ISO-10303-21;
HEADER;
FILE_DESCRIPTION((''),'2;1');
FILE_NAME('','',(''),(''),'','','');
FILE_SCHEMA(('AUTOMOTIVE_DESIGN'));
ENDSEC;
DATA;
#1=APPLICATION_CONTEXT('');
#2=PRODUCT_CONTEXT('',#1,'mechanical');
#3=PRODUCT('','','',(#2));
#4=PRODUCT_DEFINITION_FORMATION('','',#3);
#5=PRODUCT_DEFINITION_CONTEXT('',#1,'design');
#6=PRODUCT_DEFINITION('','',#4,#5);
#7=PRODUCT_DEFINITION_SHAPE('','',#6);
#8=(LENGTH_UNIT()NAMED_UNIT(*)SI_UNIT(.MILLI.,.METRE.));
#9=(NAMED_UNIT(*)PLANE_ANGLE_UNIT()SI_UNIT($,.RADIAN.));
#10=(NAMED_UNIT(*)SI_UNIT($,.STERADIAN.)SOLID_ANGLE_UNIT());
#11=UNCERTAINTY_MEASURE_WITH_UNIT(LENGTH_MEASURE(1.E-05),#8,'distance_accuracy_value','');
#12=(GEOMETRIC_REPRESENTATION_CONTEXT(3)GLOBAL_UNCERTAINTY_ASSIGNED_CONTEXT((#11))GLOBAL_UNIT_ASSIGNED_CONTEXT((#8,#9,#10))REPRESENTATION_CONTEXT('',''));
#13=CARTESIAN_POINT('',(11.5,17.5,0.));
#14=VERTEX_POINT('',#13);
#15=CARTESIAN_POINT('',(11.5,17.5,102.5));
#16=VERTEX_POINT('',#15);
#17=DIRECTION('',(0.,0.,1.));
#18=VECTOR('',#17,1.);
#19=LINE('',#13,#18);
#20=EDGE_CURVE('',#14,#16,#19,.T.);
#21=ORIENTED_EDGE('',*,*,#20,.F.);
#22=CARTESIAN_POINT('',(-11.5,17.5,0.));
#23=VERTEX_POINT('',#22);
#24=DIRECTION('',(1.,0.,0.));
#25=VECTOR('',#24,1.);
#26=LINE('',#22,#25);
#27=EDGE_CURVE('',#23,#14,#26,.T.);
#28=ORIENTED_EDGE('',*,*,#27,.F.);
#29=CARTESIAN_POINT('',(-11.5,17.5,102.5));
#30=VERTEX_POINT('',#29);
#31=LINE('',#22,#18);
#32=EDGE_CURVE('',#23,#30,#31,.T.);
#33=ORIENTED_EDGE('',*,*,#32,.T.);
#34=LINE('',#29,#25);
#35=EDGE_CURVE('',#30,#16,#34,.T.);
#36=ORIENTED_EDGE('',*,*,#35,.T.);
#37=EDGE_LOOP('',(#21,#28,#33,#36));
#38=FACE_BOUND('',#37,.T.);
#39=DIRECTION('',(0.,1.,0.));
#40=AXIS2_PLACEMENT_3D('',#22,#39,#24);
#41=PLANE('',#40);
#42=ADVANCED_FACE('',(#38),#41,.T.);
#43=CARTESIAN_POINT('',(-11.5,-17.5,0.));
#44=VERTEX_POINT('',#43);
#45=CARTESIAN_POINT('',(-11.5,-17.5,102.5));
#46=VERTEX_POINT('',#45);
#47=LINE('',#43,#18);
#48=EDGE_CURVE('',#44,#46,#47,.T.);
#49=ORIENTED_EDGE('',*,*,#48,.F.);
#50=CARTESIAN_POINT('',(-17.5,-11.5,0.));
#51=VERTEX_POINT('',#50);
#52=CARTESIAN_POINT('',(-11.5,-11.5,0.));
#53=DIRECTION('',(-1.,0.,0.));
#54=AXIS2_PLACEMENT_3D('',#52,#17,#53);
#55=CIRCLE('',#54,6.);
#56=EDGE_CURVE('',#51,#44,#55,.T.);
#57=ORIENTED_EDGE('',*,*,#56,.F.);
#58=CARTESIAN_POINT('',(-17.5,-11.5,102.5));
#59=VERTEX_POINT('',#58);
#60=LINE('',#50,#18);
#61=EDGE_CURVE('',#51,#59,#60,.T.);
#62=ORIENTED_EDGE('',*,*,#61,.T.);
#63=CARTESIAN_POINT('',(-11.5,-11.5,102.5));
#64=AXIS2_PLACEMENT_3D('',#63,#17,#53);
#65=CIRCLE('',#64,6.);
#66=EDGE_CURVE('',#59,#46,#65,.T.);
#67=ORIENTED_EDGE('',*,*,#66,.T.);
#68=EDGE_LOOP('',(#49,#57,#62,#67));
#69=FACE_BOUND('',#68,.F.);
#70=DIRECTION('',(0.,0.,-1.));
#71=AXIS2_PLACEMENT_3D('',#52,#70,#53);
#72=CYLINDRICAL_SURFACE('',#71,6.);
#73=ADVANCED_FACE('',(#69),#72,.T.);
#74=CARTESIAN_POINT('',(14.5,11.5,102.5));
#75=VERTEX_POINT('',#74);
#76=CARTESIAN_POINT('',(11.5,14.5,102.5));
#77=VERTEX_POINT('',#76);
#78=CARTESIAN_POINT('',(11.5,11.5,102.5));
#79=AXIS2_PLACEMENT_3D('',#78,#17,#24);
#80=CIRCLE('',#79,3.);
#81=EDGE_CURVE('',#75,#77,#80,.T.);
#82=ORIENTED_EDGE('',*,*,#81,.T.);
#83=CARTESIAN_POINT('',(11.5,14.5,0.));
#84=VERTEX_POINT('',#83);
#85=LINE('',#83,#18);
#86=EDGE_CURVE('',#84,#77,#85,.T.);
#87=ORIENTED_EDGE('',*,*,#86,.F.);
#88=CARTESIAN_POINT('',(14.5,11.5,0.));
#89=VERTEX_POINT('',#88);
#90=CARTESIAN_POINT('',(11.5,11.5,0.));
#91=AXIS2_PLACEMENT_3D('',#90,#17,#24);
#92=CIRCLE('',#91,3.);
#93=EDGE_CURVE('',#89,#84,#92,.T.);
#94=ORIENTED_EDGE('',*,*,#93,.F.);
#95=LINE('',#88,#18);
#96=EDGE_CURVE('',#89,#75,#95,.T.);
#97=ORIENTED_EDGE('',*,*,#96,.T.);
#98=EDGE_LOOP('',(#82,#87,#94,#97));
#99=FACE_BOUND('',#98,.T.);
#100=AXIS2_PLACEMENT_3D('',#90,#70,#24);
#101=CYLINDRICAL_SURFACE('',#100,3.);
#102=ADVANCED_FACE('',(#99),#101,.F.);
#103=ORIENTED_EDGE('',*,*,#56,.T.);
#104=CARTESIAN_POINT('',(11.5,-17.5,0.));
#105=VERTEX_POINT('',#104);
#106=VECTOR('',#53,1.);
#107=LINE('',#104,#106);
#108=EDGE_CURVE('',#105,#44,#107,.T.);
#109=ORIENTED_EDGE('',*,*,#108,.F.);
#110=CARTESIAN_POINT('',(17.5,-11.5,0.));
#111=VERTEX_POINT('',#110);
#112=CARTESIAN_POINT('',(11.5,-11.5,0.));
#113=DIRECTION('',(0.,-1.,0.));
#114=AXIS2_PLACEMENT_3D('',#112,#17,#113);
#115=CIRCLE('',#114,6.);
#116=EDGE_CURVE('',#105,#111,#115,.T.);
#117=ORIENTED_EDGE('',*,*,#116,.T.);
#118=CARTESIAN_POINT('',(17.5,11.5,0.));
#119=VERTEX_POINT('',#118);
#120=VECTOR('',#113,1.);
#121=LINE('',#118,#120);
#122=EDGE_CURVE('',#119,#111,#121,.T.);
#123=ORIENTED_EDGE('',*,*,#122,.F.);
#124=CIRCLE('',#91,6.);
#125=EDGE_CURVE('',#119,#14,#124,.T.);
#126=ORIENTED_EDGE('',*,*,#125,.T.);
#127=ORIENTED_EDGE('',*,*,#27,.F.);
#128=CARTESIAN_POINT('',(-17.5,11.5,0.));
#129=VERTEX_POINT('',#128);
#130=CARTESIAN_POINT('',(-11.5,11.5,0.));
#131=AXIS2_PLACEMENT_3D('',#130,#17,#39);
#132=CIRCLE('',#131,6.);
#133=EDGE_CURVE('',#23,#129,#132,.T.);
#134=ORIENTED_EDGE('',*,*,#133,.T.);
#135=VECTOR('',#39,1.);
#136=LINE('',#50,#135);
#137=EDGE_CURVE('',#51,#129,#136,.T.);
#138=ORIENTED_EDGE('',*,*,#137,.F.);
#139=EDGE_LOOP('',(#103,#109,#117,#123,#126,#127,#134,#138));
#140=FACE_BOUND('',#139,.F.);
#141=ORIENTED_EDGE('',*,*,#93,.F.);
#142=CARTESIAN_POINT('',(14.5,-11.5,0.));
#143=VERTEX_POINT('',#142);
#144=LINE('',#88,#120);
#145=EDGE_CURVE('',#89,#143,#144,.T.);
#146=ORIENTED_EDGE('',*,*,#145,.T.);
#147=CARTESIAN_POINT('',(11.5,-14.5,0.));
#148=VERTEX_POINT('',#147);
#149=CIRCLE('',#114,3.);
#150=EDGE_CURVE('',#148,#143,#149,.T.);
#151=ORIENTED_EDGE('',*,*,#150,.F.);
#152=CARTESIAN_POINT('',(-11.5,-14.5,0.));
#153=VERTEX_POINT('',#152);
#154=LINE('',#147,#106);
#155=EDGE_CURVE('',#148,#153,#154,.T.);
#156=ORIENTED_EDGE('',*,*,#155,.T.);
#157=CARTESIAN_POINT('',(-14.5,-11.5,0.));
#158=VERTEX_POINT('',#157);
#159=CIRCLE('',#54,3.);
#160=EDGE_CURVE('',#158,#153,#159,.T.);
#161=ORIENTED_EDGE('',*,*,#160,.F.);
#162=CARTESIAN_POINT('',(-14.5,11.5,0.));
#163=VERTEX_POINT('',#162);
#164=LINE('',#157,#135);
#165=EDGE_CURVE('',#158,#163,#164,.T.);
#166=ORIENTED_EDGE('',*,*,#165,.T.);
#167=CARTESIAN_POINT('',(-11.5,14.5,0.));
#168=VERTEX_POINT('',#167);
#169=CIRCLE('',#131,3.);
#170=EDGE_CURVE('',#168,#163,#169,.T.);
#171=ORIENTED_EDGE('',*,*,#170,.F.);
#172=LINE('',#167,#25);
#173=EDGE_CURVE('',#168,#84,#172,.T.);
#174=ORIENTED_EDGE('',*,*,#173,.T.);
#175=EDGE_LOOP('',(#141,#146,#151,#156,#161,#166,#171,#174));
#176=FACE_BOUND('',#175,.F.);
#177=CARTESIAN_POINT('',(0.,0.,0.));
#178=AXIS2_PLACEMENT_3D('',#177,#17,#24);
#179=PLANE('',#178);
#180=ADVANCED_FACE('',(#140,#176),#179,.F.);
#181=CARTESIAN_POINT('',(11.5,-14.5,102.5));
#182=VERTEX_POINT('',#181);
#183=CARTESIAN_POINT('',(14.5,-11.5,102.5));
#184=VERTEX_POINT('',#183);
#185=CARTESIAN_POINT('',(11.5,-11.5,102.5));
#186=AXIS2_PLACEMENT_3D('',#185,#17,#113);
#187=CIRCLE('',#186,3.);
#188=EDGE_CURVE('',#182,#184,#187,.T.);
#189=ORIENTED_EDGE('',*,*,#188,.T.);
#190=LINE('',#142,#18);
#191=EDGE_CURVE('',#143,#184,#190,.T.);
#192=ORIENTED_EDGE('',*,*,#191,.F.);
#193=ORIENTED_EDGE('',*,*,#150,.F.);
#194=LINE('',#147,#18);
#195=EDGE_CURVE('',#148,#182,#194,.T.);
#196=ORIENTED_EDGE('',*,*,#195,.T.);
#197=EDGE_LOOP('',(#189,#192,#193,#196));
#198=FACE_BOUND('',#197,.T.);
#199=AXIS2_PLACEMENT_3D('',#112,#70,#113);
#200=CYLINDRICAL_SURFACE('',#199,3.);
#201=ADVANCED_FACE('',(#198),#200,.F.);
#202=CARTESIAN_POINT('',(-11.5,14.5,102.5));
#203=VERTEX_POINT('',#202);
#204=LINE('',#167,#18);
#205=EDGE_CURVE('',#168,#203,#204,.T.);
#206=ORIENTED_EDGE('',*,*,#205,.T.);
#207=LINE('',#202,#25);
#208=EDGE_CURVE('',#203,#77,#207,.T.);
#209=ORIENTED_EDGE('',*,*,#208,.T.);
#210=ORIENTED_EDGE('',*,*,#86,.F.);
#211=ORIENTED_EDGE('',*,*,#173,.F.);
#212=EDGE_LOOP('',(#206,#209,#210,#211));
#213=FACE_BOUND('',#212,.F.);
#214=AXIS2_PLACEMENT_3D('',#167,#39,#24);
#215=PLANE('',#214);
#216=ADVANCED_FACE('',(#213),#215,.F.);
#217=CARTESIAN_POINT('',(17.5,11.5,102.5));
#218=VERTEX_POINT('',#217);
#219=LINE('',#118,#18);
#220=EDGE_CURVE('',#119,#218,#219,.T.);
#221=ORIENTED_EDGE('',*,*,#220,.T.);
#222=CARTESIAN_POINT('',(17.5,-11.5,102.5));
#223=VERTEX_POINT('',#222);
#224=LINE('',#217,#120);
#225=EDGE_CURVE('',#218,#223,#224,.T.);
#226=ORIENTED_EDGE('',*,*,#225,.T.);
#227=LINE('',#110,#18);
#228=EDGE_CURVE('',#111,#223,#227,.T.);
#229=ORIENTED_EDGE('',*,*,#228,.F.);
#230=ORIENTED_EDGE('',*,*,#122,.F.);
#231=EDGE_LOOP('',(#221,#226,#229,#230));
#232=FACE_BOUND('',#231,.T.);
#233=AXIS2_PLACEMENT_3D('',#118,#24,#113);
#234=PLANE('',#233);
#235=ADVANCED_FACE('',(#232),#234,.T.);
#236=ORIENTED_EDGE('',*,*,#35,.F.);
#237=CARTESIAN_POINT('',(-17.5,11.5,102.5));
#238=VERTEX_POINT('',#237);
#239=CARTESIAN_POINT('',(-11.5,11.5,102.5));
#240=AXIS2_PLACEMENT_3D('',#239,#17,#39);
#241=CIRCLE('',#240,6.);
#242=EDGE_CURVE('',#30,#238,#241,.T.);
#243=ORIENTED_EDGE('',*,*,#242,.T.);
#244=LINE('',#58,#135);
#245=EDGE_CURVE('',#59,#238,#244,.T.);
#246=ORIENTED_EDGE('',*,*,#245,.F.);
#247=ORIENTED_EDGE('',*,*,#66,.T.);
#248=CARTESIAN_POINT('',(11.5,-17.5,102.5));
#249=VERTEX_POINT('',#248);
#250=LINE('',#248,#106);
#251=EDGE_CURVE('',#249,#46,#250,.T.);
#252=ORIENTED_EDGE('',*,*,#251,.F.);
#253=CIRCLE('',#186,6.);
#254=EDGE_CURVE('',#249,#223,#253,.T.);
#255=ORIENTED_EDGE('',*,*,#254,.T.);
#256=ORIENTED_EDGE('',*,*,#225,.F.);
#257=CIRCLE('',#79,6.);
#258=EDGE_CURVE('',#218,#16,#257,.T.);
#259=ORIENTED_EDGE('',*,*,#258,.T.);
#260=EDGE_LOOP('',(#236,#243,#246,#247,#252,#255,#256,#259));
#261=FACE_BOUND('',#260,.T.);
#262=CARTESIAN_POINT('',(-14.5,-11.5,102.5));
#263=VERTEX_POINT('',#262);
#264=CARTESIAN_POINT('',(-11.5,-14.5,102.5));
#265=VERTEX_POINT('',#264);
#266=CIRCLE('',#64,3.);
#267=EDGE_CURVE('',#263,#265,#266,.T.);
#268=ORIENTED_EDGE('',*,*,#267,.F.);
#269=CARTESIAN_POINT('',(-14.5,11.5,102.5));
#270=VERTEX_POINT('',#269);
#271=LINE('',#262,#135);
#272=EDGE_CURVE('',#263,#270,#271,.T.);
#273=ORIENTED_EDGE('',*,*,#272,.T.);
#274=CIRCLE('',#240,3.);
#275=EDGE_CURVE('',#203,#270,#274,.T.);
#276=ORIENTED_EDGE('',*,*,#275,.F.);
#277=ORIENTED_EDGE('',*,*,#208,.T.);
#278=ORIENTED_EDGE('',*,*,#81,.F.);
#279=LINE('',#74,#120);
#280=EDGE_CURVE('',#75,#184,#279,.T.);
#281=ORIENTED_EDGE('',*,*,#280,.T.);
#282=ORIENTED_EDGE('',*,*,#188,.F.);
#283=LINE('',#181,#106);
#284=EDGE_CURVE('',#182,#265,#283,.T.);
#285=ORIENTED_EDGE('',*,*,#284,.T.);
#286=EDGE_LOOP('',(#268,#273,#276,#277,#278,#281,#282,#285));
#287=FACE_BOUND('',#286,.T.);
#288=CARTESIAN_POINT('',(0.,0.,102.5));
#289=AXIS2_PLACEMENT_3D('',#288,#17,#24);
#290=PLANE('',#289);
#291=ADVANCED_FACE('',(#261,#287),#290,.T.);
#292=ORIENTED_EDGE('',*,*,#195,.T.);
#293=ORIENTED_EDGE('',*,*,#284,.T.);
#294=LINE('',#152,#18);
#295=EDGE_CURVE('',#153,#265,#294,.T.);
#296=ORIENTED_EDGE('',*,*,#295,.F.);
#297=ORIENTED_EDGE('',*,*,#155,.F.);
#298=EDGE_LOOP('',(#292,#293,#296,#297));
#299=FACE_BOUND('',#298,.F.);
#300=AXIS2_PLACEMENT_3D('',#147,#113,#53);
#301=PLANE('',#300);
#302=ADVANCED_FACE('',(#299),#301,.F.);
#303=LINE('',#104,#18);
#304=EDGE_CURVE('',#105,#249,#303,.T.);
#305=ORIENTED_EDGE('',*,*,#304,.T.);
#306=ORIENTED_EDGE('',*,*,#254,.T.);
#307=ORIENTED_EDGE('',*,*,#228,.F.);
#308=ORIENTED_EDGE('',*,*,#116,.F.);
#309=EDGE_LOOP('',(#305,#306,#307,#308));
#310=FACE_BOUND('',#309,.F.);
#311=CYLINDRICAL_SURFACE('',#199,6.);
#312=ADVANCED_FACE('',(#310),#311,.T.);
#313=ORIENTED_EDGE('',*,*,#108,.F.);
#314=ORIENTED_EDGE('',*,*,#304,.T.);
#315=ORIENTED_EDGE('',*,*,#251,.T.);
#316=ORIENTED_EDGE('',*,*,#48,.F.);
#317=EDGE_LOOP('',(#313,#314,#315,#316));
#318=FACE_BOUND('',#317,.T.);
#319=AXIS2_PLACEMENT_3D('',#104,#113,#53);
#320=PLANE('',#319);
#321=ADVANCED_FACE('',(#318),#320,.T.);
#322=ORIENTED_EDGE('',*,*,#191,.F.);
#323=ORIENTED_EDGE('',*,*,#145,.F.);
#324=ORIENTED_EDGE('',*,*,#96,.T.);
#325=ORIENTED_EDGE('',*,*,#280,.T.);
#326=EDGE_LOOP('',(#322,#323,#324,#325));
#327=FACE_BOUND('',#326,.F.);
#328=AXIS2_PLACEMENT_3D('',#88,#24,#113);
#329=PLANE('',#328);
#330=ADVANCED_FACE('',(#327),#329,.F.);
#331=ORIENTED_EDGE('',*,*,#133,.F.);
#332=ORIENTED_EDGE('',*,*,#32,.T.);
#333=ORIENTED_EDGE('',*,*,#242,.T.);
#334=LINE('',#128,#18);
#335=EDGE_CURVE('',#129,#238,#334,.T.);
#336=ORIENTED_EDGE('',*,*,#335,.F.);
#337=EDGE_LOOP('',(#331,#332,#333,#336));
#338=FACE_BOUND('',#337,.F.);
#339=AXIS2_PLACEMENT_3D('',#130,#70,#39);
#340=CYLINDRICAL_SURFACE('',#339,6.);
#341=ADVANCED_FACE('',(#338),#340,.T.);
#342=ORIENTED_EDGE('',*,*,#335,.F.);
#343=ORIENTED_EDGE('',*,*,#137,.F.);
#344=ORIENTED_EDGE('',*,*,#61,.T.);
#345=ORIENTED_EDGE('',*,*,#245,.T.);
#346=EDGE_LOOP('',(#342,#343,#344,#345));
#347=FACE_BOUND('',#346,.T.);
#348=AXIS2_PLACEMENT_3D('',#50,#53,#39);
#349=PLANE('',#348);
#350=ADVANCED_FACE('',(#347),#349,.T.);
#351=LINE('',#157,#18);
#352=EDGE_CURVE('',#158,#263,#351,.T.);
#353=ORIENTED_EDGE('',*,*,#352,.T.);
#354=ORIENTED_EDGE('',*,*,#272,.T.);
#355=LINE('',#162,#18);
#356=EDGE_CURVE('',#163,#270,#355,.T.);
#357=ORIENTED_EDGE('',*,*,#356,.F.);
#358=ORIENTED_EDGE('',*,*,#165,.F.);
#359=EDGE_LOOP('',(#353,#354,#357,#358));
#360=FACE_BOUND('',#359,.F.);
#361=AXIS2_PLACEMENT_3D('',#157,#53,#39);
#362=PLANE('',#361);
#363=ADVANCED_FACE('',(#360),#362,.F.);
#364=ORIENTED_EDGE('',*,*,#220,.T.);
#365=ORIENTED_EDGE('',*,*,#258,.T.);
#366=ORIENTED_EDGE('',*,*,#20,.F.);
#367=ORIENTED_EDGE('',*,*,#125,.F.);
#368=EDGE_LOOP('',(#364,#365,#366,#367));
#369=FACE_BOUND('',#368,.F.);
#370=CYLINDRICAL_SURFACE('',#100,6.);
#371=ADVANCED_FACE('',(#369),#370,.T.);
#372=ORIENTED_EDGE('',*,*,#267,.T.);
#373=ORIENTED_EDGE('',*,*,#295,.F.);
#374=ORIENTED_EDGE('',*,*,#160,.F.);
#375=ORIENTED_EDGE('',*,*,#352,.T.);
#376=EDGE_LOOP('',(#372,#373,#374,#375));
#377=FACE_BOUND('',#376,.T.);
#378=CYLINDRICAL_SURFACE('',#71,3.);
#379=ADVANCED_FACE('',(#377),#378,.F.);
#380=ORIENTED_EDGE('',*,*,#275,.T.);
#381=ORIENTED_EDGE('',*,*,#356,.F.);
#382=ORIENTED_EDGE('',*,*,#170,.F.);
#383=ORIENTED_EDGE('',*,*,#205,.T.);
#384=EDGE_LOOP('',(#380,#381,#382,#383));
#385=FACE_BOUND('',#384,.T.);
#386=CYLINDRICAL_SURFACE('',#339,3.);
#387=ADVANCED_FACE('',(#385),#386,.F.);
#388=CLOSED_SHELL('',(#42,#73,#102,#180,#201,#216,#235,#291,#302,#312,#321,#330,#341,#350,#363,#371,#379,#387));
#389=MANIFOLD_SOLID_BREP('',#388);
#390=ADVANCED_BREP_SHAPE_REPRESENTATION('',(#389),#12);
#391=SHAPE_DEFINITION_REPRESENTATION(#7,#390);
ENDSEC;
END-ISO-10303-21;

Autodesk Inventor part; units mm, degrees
ref_plane "Start plane" through (0, 0, 0) normal (0, 0, 1) x (1, 0, 0)
ref_plane "End plane" through (0, 0, 102.5) normal (0, 0, 1) x (1, 0, 0)
sketch "Sketch" plane through (0, 0, 0) normal (0, 0, 1) x (1, 0, 0)
  line L0 (-17.5, -11.5) -> (-17.5, 11.5)
  line L1 (-11.5, 17.5) -> (11.5, 17.5)
  line L2 (17.5, 11.5) -> (17.5, -11.5)
  line L3 (11.5, -17.5) -> (-11.5, -17.5)
  arc A0 (-17.5, -11.5) -> (-11.5, -17.5) centre (-11.5, -11.5) ccw
  arc A1 (-11.5, 17.5) -> (-17.5, 11.5) centre (-11.5, 11.5) ccw
  arc A2 (17.5, 11.5) -> (11.5, 17.5) centre (11.5, 11.5) ccw
  arc A3 (11.5, -17.5) -> (17.5, -11.5) centre (11.5, -11.5) ccw
  arc A4 (-11.5, 14.5) -> (-14.5, 11.5) centre (-11.5, 11.5) ccw
  line L4 (-11.5, 14.5) -> (11.5, 14.5)
  arc A5 (14.5, 11.5) -> (11.5, 14.5) centre (11.5, 11.5) ccw
  line L5 (14.5, 11.5) -> (14.5, -11.5)
  arc A6 (11.5, -14.5) -> (14.5, -11.5) centre (11.5, -11.5) ccw
  line L6 (11.5, -14.5) -> (-11.5, -14.5)
  arc A7 (-14.5, -11.5) -> (-11.5, -14.5) centre (-11.5, -11.5) ccw
  line L7 (-14.5, -11.5) -> (-14.5, 11.5)
  line L8 (0, 25.6598) -> (0, -25.6598) construction
  line L9 (-25.6598, 0) -> (25.6598, 0) construction
  dimension "d7" = 6
  dimension "d10" = 35
  dimension "d11" = 35
  dimension "d12" = 3
  dimension "d15" = 17.5
  dimension "d16" = 17.5
extrude "Body" add sketch "Sketch" along normal up to surface (102.5 mm away) from surface at 0
sketch "Sketch3" plane through (0, 0, 0) normal (0, 0, 1) x (1, 0, 0)
  line L0 (0, 0) -> (10, 0)
ref_plane "Work Plane3" through (0, 0, 0) normal (0, -1, 0) x (1, 0, 0)
sketch "Sketch4" plane through (0, 0, 0) normal (0, -1, 0) x (1, 0, 0)
  line L0 (-2, 0) -> (12, 0)
  line L1 (-2, 102.5) -> (12, 102.5)
  dimension "d18" = 102.5
ref_plane "Work Plane6" through (5, -17.5, 102.5) normal (0, 0, 1) x (1, 0, 0)
split "Split3" plane through (5, -17.5, 102.5) removes the side toward (0, 0, 1)
equation "\"d7\" = G_IR"
equation "\"d10\" = G_H"
equation "\"d11\" = G_W"
equation "\"d12\" = G_T"
equation "\"d15\" = 0.5 * d10"
equation "\"d16\" = 0.5 * d11"
equation "\"d3\" = G_L"
equation "\"G_W\" = 35"
equation "\"G_H\" = 35"
equation "\"G_T\" = 3"
equation "\"G_IR\" = 6"
equation "\"G_L\" = d18"
equation "\"G_OFFSET_START\" = 0"
equation "\"G_OFFSET_END\" = -17.5"
equation "\"d14\" = G_OFFSET_END + B_L"
equation "\"B_L\" = 120"
properties part number "AS 1163 - C350L0 35x35x3.0 SHS - 102.5" material "Steel, Mild"
